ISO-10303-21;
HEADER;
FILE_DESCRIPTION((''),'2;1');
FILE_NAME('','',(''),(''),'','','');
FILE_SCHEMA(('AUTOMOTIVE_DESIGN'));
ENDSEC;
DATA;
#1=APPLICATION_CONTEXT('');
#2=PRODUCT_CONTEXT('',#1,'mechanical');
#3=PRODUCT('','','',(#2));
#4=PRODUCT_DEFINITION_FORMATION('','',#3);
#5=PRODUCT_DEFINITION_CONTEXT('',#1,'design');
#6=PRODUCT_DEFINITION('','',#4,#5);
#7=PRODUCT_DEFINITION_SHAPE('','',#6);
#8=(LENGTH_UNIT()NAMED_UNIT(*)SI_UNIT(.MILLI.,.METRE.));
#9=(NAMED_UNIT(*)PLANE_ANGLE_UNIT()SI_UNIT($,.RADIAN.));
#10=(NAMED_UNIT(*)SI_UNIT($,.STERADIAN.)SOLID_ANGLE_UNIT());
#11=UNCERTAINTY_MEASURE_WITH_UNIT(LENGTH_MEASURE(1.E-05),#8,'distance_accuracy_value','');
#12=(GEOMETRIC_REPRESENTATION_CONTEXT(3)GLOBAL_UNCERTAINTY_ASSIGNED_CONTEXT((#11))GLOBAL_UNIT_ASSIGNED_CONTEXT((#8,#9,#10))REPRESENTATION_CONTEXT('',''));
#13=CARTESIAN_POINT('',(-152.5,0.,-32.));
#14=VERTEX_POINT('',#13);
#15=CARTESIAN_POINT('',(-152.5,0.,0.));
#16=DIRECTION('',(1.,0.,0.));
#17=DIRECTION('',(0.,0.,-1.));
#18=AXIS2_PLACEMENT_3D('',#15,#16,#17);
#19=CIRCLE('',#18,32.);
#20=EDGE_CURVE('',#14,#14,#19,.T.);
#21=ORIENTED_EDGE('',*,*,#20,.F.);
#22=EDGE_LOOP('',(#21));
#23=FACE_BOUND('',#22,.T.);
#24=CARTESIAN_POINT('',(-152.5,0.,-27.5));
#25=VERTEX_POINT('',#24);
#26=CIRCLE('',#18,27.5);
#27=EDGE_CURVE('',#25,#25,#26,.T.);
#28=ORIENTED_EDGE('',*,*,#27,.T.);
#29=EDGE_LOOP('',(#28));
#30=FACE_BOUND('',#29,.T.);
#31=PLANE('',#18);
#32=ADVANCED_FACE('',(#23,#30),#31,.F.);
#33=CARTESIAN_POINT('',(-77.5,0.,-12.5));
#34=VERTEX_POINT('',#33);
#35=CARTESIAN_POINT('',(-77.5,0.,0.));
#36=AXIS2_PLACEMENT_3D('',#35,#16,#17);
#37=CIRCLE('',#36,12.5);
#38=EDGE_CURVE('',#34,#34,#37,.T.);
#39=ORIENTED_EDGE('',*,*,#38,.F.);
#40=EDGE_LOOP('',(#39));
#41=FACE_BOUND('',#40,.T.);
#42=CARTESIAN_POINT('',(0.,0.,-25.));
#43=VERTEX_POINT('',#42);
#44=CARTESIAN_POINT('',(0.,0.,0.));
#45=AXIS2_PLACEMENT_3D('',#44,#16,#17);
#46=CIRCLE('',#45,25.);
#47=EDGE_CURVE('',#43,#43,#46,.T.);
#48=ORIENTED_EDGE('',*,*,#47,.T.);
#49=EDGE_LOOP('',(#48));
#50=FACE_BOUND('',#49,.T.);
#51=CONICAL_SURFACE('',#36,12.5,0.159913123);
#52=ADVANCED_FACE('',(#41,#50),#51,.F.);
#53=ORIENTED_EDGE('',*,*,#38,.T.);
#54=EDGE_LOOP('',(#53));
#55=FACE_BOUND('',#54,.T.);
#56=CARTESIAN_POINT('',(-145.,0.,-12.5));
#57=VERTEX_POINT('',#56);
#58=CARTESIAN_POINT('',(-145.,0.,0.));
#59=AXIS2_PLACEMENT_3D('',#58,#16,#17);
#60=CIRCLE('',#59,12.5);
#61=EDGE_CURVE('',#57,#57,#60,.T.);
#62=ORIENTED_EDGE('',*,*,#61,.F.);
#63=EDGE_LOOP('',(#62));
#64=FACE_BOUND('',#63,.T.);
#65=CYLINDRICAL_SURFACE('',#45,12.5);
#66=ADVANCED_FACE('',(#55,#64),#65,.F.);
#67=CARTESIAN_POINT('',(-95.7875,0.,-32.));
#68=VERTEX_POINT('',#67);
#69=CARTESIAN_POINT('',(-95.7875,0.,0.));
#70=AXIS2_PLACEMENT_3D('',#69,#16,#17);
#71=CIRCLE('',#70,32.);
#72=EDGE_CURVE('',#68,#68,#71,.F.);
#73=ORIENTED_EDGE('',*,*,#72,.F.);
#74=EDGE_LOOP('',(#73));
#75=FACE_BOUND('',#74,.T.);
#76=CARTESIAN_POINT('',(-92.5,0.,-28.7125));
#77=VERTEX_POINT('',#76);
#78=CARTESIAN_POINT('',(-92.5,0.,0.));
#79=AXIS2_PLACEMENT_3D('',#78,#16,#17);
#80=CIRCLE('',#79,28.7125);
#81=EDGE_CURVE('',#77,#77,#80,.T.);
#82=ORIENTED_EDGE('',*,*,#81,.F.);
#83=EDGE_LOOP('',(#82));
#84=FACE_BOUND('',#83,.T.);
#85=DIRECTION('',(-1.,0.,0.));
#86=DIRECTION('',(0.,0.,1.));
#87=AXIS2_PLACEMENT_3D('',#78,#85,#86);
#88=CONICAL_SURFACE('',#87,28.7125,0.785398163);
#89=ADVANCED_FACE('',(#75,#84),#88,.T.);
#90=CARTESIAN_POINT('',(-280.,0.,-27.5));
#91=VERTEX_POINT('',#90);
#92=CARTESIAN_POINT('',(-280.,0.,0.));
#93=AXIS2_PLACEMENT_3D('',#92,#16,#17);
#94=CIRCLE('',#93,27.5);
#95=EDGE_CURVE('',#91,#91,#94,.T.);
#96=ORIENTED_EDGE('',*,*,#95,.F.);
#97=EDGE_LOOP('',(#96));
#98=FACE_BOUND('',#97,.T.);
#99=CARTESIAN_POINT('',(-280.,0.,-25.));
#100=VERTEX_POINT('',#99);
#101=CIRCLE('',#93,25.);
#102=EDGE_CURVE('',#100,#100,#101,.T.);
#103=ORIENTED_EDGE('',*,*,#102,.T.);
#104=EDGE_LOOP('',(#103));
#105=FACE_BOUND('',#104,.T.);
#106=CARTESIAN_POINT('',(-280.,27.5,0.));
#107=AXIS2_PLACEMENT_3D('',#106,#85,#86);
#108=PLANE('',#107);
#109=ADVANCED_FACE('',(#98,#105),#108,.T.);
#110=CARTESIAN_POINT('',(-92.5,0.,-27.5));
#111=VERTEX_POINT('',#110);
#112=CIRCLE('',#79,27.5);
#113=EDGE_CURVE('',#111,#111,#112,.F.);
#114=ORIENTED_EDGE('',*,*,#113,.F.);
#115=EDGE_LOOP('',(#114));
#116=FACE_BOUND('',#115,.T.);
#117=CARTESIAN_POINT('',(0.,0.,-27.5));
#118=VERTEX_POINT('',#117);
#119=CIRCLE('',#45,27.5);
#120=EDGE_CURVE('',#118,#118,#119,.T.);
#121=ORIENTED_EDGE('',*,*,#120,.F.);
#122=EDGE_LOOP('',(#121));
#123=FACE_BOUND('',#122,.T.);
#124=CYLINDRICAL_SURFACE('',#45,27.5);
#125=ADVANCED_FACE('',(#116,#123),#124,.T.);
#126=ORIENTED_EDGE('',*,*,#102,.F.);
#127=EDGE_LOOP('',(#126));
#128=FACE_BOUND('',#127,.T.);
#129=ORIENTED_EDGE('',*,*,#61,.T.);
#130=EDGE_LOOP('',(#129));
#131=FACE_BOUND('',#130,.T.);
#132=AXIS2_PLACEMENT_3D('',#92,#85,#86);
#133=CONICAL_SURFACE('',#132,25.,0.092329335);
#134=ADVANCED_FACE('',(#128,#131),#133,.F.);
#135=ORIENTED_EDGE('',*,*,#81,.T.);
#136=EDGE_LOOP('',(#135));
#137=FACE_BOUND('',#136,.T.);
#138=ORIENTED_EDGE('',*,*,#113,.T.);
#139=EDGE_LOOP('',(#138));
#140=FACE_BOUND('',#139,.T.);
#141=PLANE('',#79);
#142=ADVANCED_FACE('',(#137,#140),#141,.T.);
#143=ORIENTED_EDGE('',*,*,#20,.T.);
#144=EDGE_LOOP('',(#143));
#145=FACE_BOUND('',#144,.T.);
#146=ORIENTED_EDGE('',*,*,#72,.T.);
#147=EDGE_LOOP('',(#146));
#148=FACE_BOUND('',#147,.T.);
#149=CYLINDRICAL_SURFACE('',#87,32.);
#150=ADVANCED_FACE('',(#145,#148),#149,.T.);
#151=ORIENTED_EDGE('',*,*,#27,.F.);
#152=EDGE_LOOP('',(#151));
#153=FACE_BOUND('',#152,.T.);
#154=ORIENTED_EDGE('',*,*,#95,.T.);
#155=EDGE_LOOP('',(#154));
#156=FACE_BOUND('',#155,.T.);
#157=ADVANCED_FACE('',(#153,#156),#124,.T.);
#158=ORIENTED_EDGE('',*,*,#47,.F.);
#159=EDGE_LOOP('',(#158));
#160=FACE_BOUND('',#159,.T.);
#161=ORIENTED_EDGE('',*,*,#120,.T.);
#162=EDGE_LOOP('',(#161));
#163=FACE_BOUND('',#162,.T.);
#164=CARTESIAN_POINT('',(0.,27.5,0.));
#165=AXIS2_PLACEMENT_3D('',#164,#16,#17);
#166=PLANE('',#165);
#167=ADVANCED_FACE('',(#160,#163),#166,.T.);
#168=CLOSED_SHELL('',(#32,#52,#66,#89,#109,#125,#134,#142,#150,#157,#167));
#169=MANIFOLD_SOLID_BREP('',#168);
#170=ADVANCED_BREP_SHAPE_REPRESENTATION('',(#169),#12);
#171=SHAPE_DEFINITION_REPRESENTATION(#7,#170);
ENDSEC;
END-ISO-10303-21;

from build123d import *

# Parameters (mm, degrees)
SKETCH_2_R      = 32
SKETCH_2_R_2    = 27.5
EXTRUDE_1_DEPTH = 60
CHAMFER_1_SIZE  = 3.2875


with BuildPart() as part:
    # Эскиз1 → Повернуть1 (revolve)
    with BuildSketch(Plane.XY):
        Polygon((0, 27.5), (-280, 27.5), (-280, 25), (-145, 12.5), (-77.5, 12.5), (0, 25), align=None)
    revolve(axis=Axis((0, 0, 0), (-1, 0, 0)))

    # Эскиз2 → Бобышка-Вытянуть1 (add)
    with BuildSketch(Plane(origin=(-152.5, 0, 0), x_dir=(0, 0, -1), z_dir=(1, 0, 0))):
        Circle(SKETCH_2_R)
        Circle(SKETCH_2_R_2, mode=Mode.SUBTRACT)
    extrude(amount=EXTRUDE_1_DEPTH)

    # Фаска1
    chamfer_1_edges = [part.edges().sort_by_distance(p)[0] for p in [
        (-92.5, 0, 32),
    ]]
    chamfer(chamfer_1_edges, length=CHAMFER_1_SIZE)


solid = part.part
